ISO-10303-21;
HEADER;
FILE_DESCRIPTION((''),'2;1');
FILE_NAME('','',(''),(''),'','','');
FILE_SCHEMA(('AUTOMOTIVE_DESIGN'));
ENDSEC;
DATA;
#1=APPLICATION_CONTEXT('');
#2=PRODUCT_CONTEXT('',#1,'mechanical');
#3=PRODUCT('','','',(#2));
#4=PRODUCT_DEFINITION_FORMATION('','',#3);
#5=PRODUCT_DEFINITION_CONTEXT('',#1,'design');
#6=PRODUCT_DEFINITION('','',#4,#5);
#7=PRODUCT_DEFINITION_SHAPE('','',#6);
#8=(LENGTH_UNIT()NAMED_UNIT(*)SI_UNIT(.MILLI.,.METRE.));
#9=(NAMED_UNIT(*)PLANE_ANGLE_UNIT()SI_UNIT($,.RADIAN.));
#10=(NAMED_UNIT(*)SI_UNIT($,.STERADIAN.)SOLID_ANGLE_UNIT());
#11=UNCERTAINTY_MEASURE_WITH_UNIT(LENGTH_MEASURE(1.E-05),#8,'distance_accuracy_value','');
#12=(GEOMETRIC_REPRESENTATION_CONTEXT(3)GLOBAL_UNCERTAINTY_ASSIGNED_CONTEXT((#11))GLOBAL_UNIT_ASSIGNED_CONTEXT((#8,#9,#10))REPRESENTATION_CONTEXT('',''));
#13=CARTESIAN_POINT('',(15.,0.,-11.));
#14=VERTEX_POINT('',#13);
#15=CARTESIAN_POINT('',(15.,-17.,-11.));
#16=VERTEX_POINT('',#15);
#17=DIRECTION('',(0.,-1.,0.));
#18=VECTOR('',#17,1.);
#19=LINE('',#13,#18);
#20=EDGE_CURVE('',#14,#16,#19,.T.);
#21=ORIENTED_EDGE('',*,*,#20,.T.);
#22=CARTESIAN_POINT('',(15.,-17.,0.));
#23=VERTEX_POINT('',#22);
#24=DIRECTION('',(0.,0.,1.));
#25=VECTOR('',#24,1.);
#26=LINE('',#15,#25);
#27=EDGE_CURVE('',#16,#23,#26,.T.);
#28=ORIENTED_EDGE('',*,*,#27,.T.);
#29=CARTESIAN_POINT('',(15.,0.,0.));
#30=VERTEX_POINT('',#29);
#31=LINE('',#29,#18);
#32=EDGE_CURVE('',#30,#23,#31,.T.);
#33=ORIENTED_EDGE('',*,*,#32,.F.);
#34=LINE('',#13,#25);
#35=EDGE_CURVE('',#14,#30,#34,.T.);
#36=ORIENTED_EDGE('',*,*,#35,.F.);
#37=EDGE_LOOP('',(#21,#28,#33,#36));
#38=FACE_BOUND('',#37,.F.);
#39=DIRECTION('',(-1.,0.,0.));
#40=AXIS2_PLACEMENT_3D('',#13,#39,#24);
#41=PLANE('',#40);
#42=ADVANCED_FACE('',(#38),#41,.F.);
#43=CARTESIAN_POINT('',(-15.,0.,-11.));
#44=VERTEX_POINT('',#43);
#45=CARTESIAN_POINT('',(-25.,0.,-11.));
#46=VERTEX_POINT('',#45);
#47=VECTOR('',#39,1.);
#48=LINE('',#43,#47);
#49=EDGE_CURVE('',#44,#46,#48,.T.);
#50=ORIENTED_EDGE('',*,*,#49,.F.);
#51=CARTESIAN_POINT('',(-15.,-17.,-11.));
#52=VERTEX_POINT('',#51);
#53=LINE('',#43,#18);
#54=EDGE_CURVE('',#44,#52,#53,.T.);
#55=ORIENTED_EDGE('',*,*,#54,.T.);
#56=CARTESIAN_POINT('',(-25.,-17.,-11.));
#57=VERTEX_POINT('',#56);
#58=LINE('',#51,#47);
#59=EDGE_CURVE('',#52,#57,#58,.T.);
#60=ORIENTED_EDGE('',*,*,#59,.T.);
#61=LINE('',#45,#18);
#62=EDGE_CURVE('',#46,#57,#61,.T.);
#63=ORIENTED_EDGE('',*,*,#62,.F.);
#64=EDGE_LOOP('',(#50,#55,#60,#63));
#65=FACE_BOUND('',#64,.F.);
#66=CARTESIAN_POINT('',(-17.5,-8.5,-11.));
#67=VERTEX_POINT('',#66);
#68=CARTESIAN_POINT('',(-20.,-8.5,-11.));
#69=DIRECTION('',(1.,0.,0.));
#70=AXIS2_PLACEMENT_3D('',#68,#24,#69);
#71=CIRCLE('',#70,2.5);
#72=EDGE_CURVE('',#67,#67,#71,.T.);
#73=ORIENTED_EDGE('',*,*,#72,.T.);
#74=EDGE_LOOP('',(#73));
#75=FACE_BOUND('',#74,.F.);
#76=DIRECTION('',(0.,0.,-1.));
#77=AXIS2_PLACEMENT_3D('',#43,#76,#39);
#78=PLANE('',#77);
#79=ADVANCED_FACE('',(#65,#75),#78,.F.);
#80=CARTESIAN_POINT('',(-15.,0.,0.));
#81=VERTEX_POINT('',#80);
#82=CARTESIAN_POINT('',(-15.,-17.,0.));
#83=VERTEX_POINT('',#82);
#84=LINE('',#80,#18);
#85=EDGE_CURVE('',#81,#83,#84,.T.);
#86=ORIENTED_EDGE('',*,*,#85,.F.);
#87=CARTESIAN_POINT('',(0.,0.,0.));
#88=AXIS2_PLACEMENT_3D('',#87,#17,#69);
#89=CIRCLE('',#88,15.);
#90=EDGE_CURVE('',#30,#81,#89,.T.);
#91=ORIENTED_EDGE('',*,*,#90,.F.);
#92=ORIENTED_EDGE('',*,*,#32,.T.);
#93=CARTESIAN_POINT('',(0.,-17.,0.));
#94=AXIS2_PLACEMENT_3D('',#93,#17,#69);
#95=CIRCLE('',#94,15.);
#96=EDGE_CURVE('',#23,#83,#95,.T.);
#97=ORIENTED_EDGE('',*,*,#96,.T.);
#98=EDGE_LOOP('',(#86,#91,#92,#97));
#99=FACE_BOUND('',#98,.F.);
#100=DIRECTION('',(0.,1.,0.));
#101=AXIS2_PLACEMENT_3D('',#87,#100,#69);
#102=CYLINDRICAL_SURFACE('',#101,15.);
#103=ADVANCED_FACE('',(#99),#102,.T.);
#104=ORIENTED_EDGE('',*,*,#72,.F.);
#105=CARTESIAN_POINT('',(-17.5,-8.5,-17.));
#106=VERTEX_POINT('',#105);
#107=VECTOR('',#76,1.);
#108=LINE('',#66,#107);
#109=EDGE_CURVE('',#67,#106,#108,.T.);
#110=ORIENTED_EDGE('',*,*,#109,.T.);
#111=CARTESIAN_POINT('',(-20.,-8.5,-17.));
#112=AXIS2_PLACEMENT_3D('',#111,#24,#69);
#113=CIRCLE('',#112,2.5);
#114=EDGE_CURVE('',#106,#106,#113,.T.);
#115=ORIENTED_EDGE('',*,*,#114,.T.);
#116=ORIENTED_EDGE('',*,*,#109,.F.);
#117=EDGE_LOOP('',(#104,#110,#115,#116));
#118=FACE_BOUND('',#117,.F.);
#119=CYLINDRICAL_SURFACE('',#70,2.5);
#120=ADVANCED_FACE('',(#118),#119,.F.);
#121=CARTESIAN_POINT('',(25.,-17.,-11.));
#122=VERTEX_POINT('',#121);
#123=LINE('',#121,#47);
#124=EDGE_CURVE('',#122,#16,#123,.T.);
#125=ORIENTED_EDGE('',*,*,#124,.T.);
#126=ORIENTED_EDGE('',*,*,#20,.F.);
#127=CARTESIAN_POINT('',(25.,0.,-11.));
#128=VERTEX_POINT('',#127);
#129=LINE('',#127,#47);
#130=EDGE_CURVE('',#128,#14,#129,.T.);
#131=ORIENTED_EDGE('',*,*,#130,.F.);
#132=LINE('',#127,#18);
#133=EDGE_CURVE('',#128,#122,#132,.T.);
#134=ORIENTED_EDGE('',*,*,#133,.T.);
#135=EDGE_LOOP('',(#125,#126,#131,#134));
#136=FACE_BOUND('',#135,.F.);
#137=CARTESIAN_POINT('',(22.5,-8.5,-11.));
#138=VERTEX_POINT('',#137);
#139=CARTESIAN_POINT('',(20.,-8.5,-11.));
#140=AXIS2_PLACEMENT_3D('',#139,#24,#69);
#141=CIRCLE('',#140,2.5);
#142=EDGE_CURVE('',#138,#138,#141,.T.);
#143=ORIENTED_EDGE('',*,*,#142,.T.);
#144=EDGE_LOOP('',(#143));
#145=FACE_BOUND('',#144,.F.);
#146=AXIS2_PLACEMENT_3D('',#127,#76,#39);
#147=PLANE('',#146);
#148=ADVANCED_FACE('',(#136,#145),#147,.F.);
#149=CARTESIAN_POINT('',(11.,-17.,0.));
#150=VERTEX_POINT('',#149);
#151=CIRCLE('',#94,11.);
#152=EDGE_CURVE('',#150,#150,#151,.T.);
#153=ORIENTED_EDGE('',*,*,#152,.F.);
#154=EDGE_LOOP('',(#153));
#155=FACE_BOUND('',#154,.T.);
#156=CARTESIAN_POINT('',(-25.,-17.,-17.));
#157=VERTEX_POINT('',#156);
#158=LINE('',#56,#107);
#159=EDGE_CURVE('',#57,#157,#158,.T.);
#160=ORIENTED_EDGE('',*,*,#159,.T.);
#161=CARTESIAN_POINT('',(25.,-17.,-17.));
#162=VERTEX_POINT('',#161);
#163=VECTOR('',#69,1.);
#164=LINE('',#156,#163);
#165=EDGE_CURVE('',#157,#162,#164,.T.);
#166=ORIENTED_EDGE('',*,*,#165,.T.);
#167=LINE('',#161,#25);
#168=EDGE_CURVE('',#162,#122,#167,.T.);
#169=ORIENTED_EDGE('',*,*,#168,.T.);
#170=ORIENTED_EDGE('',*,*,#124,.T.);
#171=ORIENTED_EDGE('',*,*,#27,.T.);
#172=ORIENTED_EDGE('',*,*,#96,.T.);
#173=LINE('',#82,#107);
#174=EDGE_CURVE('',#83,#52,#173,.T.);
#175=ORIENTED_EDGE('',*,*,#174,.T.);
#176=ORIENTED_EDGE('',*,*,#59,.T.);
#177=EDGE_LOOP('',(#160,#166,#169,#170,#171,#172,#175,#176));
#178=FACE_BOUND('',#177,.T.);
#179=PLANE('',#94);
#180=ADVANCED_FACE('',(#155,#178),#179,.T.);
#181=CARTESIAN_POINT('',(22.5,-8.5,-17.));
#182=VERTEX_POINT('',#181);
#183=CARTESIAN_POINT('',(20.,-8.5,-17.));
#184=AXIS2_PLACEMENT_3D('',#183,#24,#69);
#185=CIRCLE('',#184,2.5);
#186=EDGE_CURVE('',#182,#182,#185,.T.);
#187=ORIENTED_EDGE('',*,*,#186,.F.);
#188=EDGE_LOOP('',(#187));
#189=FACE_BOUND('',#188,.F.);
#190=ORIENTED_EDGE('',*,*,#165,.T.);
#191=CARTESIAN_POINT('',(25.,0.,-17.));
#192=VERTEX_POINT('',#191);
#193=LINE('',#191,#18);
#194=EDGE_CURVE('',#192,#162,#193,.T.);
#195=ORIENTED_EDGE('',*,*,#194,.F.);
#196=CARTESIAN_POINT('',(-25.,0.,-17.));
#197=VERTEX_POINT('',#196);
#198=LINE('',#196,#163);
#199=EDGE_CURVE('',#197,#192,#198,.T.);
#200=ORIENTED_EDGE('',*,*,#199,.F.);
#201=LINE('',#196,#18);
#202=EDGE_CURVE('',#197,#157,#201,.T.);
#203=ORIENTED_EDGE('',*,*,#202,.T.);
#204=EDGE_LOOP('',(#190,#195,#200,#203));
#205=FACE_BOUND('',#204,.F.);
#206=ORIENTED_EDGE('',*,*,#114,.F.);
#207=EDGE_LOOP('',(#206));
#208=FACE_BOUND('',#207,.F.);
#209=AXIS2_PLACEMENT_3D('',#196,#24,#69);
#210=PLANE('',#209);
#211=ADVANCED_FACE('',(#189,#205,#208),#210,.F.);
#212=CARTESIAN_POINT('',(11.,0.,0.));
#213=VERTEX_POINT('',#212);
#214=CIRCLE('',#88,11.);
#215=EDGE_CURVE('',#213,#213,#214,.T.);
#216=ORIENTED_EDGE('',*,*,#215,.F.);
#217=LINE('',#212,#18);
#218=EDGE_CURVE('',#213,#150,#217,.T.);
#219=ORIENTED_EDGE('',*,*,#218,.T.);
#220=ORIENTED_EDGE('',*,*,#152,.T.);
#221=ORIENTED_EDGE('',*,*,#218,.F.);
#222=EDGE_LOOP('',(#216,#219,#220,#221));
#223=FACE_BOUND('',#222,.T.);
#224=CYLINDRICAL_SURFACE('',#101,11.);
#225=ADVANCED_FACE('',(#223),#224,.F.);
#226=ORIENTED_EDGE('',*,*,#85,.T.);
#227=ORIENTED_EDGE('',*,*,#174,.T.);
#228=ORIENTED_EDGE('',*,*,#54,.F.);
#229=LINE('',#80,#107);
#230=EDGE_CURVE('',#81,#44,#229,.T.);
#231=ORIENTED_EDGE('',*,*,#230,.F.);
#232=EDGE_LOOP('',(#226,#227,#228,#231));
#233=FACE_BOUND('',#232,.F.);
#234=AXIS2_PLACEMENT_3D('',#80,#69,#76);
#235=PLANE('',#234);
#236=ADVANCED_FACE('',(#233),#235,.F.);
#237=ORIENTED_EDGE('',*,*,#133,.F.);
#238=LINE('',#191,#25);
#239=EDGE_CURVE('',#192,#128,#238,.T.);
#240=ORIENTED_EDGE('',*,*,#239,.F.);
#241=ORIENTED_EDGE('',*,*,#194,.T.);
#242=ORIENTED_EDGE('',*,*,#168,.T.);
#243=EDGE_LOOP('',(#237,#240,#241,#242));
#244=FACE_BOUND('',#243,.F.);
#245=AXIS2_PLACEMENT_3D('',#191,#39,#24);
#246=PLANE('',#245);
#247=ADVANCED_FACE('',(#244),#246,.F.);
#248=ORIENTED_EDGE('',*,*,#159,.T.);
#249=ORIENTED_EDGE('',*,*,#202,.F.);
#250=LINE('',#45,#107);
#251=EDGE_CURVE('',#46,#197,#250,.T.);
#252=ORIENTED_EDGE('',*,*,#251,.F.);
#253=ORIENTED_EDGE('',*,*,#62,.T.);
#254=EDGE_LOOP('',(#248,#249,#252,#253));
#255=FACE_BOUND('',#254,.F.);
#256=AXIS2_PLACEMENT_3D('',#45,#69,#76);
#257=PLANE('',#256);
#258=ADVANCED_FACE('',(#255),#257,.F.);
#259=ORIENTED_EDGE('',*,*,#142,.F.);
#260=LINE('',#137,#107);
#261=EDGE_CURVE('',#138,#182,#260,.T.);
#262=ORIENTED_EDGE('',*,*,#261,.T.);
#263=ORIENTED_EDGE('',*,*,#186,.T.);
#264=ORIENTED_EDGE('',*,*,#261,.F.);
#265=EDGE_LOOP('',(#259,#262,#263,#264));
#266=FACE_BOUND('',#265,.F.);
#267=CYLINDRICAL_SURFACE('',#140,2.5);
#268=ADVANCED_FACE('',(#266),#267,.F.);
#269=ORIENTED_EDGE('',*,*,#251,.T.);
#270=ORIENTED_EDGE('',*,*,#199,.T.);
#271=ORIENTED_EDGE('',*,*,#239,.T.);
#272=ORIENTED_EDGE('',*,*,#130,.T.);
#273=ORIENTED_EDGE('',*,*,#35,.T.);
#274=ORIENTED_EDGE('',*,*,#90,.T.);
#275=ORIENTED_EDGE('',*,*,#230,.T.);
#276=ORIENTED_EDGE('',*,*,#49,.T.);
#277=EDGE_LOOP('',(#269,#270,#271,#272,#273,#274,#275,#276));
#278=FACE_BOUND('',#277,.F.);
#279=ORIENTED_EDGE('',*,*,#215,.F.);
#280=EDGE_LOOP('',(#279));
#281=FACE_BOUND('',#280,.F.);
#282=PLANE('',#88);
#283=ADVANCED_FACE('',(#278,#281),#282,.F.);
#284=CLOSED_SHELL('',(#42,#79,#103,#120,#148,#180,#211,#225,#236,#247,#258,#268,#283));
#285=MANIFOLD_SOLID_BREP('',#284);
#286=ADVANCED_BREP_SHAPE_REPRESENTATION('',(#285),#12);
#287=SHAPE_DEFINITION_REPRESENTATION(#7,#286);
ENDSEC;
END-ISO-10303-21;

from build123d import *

# Parameters (mm, degrees)
F0_R     = 11
F1_DEPTH = 17
F2_R     = 2.5
F3_DEPTH = 6.001


with BuildPart() as f1:
    # F0 (on Front) → F1 (new body)
    with BuildSketch(Plane.XZ):
        with BuildLine():
            ThreePointArc((-15, 0), (0, -15), (15, 0))
            ThreePointArc((15, 0), (0, 15), (-15, 0))
        make_face()
        Circle(F0_R, mode=Mode.SUBTRACT)
        with BuildLine():
            Line((15, -11), (15, 0))
            ThreePointArc((15, 0), (0, -15), (-15, 0))
            Line((-15, 0), (-15, -11))
            Line((-15, -11), (-25, -11))
            Line((-25, -11), (-25, -17))
            Line((-25, -17), (25, -17))
            Line((25, -17), (25, -11))
            Line((25, -11), (15, -11))
        make_face()
    extrude(amount=F1_DEPTH)

    # F2 (on face) → F3 (cut, through all)
    with BuildSketch(Plane.XY.offset(-11)):
        with Locations((-20, -8.5)):
            Circle(F2_R)
        with Locations((20, -8.5)):
            Circle(F2_R)
    extrude(amount=-F3_DEPTH, mode=Mode.SUBTRACT)


solid = f1.part
